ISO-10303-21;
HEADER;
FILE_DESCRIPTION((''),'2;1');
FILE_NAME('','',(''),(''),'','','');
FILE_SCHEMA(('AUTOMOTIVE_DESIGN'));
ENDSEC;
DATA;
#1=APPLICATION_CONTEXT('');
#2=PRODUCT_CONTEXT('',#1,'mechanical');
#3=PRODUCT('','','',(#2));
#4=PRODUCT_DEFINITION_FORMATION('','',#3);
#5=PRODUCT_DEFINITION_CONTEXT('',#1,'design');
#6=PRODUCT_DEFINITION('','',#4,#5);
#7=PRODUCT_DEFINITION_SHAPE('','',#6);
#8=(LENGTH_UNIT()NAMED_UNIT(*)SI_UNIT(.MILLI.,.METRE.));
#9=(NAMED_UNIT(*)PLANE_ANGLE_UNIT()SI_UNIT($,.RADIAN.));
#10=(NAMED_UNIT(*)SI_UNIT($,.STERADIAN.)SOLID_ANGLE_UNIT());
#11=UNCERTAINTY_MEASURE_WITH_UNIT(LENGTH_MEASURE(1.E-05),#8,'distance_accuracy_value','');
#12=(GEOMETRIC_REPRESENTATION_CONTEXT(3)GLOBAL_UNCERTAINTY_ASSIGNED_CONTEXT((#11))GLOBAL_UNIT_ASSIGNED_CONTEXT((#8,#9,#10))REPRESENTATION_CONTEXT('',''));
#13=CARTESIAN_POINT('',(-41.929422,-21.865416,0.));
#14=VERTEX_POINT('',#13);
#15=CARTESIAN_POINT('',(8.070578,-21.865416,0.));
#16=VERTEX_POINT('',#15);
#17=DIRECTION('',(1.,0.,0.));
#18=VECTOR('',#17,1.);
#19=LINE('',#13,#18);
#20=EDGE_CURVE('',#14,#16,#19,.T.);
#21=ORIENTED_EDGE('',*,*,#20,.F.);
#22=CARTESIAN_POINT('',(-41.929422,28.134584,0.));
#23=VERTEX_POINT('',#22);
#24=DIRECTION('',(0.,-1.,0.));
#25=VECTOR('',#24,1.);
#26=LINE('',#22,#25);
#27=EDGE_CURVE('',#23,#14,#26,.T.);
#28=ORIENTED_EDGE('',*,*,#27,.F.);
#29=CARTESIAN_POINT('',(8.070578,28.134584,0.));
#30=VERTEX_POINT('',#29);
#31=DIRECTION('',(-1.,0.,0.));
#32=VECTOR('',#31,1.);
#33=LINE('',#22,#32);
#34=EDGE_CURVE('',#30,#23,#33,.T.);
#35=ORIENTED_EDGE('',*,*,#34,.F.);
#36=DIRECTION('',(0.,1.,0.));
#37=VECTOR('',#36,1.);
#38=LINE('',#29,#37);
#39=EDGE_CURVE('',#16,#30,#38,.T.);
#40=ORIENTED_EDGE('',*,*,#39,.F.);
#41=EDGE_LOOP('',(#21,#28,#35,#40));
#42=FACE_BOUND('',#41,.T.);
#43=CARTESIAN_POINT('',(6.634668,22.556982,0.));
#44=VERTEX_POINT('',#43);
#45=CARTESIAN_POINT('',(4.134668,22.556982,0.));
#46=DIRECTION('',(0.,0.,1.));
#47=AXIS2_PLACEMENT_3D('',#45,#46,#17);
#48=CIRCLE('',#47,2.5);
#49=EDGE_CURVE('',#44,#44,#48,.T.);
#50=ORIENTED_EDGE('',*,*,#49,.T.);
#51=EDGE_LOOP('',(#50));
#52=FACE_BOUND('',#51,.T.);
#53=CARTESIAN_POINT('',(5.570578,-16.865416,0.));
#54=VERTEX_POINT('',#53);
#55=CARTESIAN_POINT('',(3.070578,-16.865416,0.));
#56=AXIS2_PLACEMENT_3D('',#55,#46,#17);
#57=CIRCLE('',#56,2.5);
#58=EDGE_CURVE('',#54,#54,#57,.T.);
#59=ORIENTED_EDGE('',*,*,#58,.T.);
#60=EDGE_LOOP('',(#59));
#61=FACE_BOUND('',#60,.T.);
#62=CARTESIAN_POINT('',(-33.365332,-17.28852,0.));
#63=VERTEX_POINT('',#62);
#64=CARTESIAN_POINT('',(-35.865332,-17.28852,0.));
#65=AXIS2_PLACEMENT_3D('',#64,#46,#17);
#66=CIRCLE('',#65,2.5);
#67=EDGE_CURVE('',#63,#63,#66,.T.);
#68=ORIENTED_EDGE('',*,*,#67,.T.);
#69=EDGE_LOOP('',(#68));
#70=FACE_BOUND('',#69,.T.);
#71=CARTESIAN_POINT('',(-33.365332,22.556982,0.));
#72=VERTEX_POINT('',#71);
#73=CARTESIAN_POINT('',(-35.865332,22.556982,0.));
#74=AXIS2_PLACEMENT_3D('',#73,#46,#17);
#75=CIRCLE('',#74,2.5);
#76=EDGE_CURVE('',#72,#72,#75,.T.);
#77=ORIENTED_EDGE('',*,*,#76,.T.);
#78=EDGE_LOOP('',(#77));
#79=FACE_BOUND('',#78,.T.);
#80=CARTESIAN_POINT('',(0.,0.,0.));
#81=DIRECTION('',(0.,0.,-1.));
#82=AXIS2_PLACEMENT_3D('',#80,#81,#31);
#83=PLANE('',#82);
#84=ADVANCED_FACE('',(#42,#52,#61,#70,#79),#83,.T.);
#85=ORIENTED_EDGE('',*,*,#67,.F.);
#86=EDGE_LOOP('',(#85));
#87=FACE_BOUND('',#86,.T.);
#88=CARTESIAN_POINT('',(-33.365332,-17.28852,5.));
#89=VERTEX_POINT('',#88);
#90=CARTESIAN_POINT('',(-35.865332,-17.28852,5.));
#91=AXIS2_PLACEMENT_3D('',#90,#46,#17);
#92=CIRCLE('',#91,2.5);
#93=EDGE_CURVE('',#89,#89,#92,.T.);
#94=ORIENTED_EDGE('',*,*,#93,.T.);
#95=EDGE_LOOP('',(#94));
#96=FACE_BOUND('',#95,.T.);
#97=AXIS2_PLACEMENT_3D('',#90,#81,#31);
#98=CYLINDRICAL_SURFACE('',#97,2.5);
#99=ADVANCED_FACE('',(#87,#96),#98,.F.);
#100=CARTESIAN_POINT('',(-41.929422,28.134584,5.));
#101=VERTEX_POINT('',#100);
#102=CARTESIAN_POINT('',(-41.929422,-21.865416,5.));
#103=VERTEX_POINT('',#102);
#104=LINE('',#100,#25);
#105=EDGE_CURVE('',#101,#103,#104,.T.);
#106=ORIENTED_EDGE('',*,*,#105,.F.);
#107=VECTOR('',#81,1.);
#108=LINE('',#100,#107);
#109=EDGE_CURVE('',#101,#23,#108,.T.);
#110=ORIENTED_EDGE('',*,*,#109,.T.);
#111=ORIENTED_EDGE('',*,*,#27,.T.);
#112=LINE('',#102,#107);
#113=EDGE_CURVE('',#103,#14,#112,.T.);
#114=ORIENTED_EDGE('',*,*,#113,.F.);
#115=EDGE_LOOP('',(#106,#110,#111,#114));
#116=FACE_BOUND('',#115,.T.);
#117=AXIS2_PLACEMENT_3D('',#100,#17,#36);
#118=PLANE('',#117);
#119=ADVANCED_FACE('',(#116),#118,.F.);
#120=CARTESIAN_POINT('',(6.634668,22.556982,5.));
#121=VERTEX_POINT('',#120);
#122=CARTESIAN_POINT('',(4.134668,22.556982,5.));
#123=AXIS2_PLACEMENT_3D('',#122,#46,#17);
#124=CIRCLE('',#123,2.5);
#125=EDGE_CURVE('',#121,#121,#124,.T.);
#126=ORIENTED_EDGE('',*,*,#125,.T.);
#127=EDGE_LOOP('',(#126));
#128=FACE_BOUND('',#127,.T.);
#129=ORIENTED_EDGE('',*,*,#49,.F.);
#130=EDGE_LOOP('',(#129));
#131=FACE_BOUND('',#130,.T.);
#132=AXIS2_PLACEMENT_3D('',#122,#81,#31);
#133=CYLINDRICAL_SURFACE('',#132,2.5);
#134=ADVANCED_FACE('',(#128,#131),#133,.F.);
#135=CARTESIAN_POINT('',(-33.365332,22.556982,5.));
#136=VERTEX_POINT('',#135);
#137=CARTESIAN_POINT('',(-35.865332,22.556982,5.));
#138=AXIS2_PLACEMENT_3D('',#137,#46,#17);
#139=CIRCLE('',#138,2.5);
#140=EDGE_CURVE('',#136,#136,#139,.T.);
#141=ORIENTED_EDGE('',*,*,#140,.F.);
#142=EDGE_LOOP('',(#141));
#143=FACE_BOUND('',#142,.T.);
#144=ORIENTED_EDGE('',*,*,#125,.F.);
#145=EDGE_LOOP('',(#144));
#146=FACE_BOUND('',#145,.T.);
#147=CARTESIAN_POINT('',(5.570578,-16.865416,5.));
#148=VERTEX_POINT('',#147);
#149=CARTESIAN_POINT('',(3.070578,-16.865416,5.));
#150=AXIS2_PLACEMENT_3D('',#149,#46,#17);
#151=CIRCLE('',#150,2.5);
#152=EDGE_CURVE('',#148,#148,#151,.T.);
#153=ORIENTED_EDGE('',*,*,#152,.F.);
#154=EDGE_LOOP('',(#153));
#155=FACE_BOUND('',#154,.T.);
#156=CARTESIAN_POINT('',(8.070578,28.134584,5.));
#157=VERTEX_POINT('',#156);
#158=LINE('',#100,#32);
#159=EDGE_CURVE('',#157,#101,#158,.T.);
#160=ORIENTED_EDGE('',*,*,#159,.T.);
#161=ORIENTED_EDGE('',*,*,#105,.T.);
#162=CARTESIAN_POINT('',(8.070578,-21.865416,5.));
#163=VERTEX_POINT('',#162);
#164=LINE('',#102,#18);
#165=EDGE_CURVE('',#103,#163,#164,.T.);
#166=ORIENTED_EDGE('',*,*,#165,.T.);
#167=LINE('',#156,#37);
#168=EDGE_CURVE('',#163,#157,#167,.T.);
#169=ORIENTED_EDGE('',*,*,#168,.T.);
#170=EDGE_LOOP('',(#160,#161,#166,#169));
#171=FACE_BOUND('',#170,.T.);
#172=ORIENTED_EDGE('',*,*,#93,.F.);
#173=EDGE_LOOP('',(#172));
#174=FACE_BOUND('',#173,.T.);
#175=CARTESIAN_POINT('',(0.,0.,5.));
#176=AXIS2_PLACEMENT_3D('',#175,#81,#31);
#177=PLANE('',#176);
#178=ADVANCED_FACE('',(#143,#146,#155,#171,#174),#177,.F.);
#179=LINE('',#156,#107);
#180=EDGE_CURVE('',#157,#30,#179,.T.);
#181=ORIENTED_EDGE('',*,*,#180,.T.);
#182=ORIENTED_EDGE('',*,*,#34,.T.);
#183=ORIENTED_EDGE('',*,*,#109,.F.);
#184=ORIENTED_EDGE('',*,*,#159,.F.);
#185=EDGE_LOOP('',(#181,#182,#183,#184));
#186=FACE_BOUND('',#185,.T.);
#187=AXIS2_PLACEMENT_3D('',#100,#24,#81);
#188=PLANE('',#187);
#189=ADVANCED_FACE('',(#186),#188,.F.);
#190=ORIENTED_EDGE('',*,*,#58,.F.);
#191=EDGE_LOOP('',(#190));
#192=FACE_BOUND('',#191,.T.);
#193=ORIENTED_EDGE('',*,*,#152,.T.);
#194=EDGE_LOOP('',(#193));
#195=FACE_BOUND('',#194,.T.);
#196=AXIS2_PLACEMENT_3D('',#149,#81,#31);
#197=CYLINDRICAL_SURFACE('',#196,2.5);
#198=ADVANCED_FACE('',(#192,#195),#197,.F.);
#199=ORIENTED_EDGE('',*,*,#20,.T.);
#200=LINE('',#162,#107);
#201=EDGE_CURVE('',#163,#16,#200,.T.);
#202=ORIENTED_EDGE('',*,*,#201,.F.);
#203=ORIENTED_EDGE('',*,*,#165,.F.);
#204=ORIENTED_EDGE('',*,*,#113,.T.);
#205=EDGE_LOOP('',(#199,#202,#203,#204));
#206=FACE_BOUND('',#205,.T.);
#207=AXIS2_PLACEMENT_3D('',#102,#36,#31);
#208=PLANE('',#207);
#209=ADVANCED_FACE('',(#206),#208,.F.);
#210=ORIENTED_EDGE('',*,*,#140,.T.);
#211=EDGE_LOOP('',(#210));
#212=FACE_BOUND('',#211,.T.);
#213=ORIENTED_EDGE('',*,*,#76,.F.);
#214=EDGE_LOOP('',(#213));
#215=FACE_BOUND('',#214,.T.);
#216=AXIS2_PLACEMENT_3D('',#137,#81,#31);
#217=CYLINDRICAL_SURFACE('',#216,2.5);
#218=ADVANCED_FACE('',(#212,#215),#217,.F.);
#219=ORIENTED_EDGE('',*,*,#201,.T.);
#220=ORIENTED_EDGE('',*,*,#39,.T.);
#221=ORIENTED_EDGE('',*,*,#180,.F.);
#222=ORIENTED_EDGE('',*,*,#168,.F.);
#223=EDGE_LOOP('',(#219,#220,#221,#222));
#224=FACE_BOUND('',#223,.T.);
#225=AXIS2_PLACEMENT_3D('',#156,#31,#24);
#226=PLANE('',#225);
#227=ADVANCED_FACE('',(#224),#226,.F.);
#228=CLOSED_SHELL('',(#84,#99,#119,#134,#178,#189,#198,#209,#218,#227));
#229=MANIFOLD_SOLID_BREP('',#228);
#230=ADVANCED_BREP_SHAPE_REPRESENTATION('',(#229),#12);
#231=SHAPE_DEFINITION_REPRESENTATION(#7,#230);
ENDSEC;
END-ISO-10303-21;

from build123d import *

# Parameters (mm, degrees)
SKETCH1_W           = 50
SKETCH1_H           = 50
SKETCH1_R           = 2.5
BOSS_EXTRUDE2_DEPTH = 5


with BuildPart() as part:
    # Sketch1 → Boss-Extrude2 (new body)
    with BuildSketch(Plane.XY):
        with Locations((-16.929421714, 3.134583643)):
            Rectangle(SKETCH1_W, SKETCH1_H)
        with Locations((-35.865331961, 22.556982127)):
            Circle(SKETCH1_R, mode=Mode.SUBTRACT)
        with Locations((4.134668039, 22.556982127)):
            Circle(SKETCH1_R, mode=Mode.SUBTRACT)
        with Locations((-35.865331961, -17.288520385)):
            Circle(SKETCH1_R, mode=Mode.SUBTRACT)
        with Locations((3.070578286, -16.865416357)):
            Circle(SKETCH1_R, mode=Mode.SUBTRACT)
    extrude(amount=BOSS_EXTRUDE2_DEPTH)


solid = part.part
